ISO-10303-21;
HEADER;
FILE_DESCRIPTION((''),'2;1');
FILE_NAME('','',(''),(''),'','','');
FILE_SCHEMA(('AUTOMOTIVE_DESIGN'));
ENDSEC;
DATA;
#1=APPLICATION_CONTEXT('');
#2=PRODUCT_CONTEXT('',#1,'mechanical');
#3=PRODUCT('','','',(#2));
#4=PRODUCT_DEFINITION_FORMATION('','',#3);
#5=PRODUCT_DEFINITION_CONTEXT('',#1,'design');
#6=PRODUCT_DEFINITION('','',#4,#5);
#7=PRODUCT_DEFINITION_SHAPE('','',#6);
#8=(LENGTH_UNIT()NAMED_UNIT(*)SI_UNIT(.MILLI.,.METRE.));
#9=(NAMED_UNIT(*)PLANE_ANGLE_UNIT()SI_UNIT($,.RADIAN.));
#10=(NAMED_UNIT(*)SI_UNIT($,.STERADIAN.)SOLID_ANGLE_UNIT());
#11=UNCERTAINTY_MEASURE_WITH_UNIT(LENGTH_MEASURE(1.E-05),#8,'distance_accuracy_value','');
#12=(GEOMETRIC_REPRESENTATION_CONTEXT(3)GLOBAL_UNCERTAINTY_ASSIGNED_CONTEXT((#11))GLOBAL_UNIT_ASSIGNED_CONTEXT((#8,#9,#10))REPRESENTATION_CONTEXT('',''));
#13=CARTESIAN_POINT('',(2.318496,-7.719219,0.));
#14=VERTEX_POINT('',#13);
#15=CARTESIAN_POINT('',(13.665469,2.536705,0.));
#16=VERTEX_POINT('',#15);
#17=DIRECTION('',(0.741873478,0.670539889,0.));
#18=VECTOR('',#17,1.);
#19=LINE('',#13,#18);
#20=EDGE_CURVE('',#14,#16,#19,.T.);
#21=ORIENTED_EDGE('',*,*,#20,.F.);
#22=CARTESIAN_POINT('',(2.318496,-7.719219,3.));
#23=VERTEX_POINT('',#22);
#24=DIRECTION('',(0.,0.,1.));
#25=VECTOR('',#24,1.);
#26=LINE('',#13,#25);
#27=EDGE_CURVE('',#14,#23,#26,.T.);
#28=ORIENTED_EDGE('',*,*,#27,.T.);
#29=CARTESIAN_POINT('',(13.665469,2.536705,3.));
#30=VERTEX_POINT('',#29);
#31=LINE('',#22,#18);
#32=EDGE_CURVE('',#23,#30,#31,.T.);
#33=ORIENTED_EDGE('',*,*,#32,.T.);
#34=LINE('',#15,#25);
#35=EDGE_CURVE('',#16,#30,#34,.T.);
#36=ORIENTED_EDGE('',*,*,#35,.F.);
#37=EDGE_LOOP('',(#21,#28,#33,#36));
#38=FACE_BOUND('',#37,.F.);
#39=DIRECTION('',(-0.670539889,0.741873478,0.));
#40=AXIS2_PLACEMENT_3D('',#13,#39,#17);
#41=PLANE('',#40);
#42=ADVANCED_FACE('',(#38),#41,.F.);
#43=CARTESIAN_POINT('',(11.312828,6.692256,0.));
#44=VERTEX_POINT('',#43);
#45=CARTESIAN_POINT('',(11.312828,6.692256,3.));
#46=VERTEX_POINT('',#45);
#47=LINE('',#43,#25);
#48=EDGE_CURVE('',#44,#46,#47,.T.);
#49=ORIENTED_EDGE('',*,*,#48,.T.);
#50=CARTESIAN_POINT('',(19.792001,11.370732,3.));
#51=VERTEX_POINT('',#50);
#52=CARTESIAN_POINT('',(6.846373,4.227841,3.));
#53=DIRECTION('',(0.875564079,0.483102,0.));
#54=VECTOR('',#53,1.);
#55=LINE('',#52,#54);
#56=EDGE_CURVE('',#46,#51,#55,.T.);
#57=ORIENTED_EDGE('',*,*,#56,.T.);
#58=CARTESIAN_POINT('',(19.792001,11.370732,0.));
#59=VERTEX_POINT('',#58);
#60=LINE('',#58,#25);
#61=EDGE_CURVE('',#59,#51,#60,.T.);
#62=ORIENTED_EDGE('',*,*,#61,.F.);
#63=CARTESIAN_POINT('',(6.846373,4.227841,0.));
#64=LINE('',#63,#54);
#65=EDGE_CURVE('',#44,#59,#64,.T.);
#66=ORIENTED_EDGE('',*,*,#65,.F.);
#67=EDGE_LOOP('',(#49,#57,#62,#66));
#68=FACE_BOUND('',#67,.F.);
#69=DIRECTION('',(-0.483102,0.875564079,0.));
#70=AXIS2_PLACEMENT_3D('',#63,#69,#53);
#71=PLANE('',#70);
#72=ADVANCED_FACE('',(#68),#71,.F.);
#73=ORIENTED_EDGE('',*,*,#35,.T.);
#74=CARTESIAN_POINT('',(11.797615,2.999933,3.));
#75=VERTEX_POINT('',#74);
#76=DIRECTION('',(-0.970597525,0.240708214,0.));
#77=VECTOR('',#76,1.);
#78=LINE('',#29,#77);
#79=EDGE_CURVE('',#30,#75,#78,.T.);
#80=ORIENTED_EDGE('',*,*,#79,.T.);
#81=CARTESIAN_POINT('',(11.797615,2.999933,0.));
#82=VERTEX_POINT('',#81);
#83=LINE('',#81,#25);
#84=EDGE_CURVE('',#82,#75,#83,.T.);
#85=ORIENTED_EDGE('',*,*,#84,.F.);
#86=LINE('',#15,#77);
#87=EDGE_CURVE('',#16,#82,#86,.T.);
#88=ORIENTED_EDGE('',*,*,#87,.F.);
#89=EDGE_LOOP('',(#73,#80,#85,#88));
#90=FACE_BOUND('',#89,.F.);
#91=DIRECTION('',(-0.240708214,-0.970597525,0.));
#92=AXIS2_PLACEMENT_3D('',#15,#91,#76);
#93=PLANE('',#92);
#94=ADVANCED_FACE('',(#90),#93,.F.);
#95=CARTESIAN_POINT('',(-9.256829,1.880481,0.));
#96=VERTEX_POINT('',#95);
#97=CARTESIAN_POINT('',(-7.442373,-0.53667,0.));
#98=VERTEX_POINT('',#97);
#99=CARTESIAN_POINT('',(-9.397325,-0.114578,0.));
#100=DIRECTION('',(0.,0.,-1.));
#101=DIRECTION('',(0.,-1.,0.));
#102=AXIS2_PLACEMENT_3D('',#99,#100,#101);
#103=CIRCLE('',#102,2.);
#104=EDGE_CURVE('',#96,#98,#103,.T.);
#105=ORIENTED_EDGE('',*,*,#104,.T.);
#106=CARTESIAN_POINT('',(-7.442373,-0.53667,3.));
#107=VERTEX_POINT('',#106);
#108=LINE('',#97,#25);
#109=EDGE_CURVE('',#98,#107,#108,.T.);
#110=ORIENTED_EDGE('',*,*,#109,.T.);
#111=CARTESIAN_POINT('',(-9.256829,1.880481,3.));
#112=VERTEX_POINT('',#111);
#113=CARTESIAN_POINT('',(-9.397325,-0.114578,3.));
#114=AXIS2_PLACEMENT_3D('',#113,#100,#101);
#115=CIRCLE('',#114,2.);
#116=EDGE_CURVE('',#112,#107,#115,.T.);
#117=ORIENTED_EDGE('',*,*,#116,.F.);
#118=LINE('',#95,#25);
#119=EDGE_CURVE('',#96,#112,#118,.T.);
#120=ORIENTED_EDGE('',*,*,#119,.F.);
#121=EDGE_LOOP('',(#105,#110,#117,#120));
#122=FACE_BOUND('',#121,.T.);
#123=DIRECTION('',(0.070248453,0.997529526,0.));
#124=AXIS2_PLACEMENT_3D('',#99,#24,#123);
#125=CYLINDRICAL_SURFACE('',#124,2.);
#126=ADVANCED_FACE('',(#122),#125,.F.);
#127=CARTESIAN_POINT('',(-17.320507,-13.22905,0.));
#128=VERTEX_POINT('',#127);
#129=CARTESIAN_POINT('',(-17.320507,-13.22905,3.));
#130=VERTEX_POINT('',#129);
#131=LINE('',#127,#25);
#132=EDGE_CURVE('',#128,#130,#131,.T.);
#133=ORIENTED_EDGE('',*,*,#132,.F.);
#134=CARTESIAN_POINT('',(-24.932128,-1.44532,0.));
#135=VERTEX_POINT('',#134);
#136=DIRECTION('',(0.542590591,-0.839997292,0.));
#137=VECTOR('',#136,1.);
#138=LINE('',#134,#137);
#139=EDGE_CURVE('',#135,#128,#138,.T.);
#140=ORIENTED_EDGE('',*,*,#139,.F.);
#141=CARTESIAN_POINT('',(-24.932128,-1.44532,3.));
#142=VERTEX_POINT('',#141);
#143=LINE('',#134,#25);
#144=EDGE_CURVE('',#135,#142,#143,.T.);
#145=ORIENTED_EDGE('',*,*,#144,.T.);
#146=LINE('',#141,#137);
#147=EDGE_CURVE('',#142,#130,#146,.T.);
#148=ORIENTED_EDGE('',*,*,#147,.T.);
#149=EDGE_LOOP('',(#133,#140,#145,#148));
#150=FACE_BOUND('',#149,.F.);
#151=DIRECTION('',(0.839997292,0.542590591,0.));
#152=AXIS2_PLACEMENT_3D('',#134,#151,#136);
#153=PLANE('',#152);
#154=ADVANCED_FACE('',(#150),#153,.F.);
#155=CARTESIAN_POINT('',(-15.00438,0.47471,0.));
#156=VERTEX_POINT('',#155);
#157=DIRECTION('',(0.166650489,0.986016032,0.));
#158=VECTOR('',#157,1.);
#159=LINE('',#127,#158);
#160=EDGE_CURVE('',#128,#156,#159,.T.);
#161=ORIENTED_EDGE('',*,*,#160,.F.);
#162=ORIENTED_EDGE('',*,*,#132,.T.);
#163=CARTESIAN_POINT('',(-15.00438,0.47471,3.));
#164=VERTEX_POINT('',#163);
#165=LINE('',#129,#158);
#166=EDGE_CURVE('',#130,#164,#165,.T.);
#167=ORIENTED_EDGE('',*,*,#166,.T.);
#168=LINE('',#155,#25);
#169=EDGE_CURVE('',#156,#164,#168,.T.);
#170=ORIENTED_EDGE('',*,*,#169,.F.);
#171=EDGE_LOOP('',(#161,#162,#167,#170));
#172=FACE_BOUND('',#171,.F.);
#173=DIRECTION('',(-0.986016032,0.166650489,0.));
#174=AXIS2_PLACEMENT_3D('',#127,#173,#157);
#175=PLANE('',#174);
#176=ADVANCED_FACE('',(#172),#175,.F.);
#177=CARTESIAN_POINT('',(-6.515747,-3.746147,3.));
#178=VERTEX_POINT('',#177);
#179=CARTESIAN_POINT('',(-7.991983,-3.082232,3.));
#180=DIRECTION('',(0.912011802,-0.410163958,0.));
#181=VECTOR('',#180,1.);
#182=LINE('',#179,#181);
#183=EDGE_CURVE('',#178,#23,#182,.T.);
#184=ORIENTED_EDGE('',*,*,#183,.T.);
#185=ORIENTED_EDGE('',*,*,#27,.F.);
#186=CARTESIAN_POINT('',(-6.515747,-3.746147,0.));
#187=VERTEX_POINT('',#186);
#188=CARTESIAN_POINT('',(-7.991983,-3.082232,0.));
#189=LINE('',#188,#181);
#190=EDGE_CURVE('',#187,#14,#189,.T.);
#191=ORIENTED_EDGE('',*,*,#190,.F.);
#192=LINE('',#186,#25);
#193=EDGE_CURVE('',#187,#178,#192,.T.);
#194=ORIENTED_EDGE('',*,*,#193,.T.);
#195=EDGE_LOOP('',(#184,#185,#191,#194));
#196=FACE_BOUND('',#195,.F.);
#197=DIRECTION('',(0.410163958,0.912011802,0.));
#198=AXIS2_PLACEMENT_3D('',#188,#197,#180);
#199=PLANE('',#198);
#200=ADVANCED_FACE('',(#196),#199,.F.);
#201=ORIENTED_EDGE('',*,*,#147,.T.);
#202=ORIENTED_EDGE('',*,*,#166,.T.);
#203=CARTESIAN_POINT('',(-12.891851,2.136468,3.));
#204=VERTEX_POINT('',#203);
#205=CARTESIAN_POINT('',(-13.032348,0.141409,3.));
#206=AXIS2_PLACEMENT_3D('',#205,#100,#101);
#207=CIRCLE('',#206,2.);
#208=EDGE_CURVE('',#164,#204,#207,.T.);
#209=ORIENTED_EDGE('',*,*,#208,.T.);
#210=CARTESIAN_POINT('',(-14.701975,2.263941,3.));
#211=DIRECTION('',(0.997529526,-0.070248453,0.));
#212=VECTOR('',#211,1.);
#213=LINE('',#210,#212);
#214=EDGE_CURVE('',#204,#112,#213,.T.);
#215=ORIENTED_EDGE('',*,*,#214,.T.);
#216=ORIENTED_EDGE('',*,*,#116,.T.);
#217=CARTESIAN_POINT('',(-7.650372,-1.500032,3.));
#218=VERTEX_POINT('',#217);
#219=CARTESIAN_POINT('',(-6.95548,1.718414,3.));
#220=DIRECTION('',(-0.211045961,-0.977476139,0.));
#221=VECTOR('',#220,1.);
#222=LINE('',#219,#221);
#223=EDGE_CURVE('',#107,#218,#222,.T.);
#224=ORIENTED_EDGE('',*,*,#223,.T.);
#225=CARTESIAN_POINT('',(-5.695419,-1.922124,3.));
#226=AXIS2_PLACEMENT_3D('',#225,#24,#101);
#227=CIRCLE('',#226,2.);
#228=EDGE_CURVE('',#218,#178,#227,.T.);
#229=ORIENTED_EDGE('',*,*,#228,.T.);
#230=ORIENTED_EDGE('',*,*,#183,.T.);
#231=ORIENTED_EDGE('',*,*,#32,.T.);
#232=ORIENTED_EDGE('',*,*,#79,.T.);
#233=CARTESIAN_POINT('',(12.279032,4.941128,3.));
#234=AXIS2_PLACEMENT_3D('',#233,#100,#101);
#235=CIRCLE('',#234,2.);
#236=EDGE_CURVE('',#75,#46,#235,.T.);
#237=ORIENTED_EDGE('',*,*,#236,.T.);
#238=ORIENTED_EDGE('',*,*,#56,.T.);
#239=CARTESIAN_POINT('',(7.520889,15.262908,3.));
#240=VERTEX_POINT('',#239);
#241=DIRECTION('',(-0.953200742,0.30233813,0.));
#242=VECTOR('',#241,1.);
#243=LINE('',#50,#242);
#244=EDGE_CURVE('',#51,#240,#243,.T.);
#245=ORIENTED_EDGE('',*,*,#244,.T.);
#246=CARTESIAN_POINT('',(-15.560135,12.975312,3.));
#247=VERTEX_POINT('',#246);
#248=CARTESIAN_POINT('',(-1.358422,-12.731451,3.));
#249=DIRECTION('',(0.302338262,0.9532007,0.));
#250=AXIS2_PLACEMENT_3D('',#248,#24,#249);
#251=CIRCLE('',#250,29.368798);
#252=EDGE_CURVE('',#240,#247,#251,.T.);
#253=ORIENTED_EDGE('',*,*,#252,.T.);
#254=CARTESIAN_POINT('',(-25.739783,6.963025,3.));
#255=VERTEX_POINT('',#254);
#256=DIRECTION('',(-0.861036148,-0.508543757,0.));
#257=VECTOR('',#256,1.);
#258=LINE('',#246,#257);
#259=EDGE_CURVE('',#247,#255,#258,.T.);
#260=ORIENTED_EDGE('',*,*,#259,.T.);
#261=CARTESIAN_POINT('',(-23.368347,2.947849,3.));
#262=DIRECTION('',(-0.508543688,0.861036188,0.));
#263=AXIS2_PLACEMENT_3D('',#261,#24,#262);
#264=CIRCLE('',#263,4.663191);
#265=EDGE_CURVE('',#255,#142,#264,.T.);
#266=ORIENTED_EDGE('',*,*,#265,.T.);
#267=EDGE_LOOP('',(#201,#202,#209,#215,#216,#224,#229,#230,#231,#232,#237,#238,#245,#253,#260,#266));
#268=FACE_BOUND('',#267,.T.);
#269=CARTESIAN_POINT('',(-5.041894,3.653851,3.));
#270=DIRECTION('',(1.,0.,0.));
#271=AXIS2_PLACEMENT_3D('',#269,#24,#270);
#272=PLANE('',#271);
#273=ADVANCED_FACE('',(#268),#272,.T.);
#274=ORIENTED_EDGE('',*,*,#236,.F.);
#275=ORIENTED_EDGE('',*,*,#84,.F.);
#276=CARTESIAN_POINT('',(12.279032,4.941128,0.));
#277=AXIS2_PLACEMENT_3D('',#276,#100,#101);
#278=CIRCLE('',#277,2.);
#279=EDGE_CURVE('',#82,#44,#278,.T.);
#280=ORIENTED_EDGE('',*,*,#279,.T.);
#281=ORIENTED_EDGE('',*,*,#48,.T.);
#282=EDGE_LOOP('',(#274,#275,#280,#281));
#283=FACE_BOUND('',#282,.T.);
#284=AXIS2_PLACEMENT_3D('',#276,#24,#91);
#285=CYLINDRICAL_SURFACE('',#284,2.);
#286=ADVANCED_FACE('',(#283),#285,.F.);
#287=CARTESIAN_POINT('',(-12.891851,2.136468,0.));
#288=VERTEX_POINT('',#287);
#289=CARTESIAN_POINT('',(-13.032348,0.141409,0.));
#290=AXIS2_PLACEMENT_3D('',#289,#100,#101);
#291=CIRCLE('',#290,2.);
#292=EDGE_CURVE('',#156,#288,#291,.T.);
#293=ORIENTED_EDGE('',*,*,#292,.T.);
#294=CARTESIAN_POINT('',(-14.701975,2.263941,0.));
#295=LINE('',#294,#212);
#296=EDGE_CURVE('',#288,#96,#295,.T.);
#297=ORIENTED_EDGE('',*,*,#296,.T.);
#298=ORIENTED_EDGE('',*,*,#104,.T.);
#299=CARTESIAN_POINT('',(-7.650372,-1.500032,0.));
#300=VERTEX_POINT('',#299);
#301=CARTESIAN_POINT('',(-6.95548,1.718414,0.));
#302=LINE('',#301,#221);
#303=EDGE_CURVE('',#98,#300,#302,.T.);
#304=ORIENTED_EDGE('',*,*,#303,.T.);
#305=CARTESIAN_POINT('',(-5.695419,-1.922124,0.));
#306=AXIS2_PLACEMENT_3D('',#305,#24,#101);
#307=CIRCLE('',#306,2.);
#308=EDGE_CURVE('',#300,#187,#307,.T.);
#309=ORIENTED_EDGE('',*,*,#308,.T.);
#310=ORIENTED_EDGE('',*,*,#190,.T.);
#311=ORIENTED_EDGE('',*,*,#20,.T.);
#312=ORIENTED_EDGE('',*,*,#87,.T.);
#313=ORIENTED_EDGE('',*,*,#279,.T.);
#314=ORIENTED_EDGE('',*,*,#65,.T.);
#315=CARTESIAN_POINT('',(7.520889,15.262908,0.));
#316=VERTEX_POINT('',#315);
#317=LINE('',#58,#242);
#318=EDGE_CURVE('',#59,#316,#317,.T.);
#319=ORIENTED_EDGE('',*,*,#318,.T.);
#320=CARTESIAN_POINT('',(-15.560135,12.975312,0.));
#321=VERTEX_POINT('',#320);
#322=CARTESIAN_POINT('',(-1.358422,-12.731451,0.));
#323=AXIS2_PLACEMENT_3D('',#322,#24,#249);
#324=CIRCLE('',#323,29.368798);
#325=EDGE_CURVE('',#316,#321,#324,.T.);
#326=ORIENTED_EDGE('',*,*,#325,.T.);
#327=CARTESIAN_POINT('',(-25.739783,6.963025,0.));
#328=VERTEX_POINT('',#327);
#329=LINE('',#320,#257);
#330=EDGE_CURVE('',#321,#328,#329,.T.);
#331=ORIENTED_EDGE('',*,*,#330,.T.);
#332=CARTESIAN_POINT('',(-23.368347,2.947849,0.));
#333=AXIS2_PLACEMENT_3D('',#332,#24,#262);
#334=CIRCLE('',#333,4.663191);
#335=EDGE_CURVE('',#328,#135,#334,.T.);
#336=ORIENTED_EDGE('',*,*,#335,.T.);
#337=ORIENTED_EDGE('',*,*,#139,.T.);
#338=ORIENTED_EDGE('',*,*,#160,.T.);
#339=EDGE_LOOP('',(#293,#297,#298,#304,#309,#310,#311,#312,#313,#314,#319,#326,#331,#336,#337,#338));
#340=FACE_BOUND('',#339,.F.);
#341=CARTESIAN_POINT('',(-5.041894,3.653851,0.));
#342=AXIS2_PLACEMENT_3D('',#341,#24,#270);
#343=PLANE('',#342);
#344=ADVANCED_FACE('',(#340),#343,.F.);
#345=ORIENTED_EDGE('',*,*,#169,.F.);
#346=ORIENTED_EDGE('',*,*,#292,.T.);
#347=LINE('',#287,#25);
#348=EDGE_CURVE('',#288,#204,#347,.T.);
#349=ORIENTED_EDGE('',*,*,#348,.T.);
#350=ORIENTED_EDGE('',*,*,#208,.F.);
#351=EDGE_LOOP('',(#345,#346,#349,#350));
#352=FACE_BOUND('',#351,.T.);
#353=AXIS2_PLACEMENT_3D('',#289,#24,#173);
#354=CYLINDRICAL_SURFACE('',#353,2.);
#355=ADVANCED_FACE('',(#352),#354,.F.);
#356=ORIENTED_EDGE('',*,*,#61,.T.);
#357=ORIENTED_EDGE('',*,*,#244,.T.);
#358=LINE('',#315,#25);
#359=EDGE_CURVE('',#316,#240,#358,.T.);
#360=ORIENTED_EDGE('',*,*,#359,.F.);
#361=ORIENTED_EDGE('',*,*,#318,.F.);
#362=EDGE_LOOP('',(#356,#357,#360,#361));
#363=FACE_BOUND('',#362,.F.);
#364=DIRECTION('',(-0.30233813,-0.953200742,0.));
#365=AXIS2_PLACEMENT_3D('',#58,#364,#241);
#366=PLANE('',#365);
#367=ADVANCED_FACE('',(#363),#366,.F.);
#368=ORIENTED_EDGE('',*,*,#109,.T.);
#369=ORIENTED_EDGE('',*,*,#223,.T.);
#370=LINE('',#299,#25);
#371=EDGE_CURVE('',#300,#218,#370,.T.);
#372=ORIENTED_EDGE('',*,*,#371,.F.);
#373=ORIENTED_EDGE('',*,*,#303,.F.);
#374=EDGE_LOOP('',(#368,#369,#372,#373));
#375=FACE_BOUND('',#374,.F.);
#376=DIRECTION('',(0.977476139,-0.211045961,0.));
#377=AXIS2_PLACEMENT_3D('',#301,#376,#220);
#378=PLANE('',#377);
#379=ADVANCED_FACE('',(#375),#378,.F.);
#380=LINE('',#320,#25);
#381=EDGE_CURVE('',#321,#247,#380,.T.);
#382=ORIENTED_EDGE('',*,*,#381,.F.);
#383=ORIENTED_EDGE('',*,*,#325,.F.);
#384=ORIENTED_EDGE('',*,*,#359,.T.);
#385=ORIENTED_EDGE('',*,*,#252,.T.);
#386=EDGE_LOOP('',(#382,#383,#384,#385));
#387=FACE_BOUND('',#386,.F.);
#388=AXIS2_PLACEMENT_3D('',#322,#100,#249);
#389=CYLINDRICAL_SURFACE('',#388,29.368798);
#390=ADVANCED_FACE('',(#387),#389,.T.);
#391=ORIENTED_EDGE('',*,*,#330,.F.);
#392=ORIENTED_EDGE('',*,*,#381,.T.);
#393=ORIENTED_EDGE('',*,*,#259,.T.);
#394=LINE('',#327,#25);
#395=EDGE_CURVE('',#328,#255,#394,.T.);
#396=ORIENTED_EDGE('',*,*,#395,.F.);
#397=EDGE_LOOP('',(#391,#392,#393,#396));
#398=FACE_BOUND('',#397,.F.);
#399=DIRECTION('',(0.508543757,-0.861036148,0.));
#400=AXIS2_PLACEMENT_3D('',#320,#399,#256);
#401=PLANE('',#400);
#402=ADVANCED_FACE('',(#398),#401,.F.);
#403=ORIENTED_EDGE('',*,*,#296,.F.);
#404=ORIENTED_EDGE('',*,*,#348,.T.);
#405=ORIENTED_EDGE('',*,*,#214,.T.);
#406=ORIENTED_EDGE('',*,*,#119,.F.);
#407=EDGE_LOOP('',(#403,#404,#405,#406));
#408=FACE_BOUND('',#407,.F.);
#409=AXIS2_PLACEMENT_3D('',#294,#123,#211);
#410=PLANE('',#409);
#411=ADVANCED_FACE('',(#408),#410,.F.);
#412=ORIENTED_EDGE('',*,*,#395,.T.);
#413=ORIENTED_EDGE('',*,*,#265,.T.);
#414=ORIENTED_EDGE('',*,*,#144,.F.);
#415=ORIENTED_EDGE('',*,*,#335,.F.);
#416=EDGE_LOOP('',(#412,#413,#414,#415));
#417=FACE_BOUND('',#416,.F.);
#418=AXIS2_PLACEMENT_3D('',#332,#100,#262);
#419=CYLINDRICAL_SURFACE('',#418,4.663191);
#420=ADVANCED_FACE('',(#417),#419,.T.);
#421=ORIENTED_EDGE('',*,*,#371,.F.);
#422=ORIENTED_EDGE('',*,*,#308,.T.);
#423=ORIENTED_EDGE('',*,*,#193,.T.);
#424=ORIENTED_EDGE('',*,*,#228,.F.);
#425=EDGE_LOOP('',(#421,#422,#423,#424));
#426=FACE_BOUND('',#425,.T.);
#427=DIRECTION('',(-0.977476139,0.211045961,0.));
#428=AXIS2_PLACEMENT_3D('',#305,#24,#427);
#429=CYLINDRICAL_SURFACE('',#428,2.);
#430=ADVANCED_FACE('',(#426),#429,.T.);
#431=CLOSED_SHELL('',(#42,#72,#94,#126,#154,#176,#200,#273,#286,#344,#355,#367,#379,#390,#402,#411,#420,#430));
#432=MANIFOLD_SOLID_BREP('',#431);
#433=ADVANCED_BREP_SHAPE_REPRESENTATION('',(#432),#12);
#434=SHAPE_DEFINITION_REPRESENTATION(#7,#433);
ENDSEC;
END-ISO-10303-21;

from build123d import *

# Parameters (mm, degrees)
PAD_DEPTH = 3
FILLET_R  = 2


with BuildPart() as part:
    # Sketch → Pad (new body)
    with BuildSketch(Plane.XY):
        with BuildLine():
            Line((-15.560135, 12.975312), (-25.739783, 6.963025))
            ThreePointArc((-25.739783, 6.963025), (-28.010173, 2.501983), (-24.932128, -1.44532))
            Line((-24.932128, -1.44532), (-17.320507, -13.22905))
            Line((-17.320507, -13.22905), (-14.701975, 2.263941))
            Line((-14.701975, 2.263941), (-6.95548, 1.718414))
            Line((-6.95548, 1.718414), (-7.991983, -3.082232))
            Line((-7.991983, -3.082232), (2.318496, -7.719219))
            Line((2.318496, -7.719219), (13.665469, 2.536705))
            Line((13.665469, 2.536705), (6.846373, 4.227841))
            Line((6.846373, 4.227841), (19.792001, 11.370732))
            Line((19.792001, 11.370732), (7.520889, 15.262908))
            ThreePointArc((7.520889, 15.262908), (-4.255017, 16.494155), (-15.560135, 12.975312))
        make_face()
    extrude(amount=PAD_DEPTH)

    # Fillet
    fillet_edges = [part.edges().sort_by_distance(p)[0] for p in [
        (-14.701975, 2.263941, 1.5),
        (-6.95548, 1.718414, 1.5),
        (-7.991983, -3.082232, 1.5),
        (6.846373, 4.227841, 1.5),
    ]]
    fillet(fillet_edges, radius=FILLET_R)


solid = part.part
